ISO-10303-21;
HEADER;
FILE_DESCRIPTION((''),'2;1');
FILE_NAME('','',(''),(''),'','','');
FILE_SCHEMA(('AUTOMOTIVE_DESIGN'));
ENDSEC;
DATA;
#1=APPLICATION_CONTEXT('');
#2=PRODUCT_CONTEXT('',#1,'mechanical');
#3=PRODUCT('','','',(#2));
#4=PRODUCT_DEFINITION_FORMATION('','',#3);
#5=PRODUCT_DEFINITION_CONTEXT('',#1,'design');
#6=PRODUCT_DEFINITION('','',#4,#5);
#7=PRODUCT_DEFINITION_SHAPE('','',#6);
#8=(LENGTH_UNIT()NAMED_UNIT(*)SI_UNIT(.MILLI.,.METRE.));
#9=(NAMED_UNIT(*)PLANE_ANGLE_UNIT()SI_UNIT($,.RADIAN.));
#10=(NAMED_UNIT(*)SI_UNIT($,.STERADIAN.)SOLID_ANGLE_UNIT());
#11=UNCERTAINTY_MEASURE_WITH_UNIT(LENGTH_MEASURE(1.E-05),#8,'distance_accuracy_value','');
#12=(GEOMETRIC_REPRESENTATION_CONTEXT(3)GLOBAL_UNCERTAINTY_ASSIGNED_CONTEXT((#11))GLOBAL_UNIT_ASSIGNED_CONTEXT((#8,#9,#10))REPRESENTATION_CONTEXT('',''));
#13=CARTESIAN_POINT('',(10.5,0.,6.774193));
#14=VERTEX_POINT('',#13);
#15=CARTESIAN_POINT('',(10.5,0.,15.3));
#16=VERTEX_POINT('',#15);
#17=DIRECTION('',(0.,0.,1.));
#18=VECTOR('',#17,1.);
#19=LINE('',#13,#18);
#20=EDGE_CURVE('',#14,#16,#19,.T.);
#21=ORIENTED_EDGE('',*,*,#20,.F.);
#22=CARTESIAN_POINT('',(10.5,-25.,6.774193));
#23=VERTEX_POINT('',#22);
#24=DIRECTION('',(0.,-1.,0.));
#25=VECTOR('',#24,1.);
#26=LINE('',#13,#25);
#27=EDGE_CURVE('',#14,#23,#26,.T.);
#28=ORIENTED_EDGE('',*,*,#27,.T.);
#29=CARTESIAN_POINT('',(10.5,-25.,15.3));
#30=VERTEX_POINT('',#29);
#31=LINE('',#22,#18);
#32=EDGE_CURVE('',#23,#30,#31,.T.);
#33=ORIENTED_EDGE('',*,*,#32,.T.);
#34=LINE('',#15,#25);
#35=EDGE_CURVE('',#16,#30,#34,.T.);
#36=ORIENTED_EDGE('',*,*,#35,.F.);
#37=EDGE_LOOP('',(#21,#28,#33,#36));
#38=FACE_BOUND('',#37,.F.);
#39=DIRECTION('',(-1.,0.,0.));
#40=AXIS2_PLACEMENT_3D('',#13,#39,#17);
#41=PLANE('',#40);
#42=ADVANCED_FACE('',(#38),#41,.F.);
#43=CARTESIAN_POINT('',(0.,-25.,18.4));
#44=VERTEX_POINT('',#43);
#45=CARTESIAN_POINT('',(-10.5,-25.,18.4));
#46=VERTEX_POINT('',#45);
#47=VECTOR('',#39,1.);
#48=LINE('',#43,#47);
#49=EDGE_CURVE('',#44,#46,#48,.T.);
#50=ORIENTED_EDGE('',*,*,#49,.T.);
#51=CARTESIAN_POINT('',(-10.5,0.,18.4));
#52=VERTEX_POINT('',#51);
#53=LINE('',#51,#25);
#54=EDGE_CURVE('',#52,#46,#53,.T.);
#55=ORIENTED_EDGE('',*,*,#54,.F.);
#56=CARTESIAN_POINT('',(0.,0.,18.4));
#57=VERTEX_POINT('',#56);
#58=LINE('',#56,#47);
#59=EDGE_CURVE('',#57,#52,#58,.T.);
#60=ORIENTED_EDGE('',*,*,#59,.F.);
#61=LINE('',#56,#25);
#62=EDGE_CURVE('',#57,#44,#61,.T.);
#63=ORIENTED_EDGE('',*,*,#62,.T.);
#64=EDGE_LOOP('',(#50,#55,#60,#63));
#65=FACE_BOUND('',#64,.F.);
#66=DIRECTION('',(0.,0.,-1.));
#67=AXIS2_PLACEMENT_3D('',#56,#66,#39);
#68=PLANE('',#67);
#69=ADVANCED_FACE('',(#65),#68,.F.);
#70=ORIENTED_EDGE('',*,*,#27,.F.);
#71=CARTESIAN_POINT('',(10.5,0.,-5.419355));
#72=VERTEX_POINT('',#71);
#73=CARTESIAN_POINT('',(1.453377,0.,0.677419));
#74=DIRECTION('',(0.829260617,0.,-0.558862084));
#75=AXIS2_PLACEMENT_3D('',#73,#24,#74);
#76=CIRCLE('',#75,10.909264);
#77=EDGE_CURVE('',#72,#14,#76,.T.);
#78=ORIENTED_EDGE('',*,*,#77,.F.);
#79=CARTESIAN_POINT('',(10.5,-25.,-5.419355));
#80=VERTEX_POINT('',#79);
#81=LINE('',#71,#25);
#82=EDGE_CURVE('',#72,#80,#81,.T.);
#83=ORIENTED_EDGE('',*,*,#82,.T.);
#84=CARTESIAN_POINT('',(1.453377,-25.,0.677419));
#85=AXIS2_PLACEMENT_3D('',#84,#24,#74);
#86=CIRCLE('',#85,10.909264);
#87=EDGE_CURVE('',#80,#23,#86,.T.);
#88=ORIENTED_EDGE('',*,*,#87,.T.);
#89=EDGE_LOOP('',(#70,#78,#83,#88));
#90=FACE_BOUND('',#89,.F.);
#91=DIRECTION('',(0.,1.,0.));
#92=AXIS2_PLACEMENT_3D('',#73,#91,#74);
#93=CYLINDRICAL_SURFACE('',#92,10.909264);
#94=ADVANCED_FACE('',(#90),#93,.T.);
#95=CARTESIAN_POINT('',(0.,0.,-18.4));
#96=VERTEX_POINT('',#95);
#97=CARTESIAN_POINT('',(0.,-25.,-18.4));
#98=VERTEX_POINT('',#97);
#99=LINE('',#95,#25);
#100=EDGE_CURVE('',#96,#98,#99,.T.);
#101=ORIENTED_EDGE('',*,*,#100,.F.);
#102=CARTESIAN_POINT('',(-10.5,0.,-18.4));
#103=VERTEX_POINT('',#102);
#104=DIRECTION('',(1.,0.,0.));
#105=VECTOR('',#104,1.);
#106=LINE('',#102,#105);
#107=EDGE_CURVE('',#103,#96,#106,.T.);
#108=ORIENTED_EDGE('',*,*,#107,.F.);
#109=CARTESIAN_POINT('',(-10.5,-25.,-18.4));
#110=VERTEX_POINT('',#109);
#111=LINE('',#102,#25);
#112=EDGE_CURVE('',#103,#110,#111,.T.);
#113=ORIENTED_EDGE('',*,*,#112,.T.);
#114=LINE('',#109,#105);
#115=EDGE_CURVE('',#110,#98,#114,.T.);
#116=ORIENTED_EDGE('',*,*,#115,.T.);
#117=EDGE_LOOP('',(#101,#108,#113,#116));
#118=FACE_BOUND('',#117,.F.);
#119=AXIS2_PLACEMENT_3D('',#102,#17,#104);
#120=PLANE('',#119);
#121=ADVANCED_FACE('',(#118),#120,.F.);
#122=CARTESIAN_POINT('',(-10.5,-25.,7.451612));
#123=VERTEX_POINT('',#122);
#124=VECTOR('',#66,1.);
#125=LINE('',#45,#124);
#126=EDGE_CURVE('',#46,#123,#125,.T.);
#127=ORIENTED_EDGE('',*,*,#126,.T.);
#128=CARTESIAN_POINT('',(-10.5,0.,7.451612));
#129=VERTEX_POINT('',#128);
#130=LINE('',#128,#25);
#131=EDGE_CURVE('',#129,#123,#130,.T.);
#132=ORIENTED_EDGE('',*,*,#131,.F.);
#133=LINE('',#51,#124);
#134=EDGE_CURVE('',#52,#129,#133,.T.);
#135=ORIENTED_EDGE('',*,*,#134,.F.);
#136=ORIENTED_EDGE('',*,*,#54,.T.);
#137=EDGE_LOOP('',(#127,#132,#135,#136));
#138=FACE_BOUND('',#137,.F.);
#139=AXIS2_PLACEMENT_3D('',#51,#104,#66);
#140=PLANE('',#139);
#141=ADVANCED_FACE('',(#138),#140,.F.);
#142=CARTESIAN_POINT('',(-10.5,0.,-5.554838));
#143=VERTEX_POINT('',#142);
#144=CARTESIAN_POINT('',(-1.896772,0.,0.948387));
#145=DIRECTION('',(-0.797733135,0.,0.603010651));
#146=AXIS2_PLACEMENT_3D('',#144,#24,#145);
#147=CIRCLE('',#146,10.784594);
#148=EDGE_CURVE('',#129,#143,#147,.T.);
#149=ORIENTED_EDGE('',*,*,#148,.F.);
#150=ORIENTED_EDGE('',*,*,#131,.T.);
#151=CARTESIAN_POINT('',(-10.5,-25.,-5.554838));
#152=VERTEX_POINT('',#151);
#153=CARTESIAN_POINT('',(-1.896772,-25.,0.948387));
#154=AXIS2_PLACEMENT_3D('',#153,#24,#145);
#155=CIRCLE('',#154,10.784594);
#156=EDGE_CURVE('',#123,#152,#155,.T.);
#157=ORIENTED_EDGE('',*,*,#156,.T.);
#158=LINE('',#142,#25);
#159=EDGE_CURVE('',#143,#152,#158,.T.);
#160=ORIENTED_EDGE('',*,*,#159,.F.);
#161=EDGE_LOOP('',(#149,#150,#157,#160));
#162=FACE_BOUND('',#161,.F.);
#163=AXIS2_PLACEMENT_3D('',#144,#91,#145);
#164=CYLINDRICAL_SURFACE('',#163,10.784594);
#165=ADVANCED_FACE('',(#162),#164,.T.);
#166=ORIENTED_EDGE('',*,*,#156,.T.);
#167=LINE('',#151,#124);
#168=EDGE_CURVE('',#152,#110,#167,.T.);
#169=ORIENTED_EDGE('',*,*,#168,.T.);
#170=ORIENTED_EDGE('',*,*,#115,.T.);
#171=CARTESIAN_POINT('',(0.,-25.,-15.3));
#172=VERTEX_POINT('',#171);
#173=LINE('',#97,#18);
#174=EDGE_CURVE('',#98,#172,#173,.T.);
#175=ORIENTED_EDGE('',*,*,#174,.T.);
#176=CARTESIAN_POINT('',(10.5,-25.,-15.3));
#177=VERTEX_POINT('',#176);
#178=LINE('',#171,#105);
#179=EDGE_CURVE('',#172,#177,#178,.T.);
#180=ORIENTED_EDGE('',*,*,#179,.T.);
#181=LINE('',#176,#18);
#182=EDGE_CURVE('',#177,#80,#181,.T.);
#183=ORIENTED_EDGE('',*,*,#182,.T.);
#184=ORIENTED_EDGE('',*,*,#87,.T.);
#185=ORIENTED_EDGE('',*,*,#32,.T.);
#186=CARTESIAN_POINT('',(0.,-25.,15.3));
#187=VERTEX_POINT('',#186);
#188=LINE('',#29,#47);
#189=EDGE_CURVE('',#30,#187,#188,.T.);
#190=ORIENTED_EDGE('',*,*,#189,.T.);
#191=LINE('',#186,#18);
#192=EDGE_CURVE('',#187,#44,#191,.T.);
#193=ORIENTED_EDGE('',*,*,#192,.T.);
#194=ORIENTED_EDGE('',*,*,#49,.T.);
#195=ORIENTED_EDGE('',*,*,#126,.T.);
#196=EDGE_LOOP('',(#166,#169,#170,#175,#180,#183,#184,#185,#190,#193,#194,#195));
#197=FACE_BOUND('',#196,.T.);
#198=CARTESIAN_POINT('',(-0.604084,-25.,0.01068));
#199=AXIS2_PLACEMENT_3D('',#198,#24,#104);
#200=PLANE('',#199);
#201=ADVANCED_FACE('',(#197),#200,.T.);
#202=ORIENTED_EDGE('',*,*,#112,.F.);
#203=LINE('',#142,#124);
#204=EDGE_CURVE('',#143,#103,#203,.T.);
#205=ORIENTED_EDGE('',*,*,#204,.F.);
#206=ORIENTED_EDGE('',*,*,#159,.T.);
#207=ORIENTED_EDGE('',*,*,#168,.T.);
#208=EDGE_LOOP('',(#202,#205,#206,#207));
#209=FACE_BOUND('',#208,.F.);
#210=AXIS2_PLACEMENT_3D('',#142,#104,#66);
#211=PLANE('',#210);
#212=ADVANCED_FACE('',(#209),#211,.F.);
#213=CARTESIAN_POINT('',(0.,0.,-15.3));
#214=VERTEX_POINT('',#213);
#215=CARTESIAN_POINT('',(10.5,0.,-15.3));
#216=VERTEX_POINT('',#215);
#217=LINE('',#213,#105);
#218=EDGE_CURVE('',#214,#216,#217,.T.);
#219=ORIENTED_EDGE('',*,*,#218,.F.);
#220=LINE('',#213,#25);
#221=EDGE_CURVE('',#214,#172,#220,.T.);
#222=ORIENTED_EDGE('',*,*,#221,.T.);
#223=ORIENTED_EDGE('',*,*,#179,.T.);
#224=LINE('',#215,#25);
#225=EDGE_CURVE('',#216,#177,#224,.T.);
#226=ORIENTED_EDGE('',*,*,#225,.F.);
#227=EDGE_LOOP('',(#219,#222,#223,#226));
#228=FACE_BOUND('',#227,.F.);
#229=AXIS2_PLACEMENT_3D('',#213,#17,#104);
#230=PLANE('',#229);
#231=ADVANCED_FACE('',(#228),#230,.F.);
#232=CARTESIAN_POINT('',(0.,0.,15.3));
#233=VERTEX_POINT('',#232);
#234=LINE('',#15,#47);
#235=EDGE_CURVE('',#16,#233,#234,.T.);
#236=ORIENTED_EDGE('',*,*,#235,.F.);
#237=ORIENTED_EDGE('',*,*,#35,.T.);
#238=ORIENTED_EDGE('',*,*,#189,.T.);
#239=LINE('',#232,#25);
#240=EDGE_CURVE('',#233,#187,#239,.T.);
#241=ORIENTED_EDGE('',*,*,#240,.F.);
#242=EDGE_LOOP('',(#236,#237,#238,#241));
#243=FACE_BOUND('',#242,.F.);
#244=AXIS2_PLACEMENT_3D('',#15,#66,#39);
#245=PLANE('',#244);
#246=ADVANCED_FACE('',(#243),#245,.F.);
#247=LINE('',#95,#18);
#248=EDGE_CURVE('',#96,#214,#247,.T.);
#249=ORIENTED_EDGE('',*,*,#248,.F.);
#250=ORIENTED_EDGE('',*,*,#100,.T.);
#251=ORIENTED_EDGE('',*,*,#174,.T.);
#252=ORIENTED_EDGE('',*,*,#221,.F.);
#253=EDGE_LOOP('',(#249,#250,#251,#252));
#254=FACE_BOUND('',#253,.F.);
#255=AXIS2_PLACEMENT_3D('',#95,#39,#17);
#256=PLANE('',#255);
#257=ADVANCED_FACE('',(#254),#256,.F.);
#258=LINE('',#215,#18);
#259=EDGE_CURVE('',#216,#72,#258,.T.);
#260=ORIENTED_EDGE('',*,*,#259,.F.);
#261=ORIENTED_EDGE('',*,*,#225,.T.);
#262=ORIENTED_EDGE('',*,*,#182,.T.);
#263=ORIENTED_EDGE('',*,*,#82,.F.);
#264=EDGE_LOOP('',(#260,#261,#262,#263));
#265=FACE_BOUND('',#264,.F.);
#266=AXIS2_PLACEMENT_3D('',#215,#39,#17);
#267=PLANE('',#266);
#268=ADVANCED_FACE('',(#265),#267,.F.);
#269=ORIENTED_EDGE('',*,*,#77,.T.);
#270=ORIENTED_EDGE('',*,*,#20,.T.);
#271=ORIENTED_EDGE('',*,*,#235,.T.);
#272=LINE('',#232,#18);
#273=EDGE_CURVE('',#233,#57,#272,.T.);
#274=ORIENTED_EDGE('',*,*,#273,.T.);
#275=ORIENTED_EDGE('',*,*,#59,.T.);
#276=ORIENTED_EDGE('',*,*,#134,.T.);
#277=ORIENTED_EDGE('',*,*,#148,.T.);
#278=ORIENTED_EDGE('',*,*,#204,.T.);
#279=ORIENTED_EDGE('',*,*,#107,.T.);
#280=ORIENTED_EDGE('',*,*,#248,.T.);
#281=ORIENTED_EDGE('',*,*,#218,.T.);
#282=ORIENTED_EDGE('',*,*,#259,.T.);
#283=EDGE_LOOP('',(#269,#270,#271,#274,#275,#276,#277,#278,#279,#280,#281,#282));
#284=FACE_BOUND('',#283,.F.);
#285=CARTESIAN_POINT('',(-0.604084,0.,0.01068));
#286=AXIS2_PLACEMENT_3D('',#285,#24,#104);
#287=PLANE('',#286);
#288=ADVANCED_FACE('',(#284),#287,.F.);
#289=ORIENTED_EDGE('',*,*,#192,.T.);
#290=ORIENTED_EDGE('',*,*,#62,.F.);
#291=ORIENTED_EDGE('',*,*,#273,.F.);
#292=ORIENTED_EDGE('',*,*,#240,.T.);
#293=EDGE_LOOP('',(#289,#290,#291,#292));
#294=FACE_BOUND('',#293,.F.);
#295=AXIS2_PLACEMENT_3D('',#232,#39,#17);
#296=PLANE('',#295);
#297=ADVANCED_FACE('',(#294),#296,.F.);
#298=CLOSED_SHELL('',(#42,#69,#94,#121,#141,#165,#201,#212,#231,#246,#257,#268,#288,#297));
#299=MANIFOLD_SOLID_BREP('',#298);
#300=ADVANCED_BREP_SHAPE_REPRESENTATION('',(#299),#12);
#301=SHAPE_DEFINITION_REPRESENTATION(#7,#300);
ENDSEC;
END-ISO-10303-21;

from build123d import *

# Parameters (mm, degrees)
F1_DEPTH = 25


with BuildPart() as f1:
    # F0 (on Front) → F1 (new body)
    with BuildSketch(Plane.XZ):
        with BuildLine():
            Line((-10.5, -5.554838), (-10.5, -18.4))
            Line((-10.5, -18.4), (0, -18.4))
            Line((0, -18.4), (0, -15.3))
            Line((0, -15.3), (10.5, -15.3))
            Line((10.5, -15.3), (10.5, -5.419355))
            ThreePointArc((10.5, -5.419355), (12.362641, 0.677419), (10.5, 6.774193))
            Line((10.5, 6.774193), (10.5, 15.3))
            Line((10.5, 15.3), (0, 15.3))
            Line((0, 15.3), (0, 18.4))
            Line((0, 18.4), (-10.5, 18.4))
            Line((-10.5, 18.4), (-10.5, 7.451612))
            ThreePointArc((-10.5, 7.451612), (-12.681366, 0.948387), (-10.5, -5.554838))
        make_face()
    extrude(amount=F1_DEPTH)


solid = f1.part
